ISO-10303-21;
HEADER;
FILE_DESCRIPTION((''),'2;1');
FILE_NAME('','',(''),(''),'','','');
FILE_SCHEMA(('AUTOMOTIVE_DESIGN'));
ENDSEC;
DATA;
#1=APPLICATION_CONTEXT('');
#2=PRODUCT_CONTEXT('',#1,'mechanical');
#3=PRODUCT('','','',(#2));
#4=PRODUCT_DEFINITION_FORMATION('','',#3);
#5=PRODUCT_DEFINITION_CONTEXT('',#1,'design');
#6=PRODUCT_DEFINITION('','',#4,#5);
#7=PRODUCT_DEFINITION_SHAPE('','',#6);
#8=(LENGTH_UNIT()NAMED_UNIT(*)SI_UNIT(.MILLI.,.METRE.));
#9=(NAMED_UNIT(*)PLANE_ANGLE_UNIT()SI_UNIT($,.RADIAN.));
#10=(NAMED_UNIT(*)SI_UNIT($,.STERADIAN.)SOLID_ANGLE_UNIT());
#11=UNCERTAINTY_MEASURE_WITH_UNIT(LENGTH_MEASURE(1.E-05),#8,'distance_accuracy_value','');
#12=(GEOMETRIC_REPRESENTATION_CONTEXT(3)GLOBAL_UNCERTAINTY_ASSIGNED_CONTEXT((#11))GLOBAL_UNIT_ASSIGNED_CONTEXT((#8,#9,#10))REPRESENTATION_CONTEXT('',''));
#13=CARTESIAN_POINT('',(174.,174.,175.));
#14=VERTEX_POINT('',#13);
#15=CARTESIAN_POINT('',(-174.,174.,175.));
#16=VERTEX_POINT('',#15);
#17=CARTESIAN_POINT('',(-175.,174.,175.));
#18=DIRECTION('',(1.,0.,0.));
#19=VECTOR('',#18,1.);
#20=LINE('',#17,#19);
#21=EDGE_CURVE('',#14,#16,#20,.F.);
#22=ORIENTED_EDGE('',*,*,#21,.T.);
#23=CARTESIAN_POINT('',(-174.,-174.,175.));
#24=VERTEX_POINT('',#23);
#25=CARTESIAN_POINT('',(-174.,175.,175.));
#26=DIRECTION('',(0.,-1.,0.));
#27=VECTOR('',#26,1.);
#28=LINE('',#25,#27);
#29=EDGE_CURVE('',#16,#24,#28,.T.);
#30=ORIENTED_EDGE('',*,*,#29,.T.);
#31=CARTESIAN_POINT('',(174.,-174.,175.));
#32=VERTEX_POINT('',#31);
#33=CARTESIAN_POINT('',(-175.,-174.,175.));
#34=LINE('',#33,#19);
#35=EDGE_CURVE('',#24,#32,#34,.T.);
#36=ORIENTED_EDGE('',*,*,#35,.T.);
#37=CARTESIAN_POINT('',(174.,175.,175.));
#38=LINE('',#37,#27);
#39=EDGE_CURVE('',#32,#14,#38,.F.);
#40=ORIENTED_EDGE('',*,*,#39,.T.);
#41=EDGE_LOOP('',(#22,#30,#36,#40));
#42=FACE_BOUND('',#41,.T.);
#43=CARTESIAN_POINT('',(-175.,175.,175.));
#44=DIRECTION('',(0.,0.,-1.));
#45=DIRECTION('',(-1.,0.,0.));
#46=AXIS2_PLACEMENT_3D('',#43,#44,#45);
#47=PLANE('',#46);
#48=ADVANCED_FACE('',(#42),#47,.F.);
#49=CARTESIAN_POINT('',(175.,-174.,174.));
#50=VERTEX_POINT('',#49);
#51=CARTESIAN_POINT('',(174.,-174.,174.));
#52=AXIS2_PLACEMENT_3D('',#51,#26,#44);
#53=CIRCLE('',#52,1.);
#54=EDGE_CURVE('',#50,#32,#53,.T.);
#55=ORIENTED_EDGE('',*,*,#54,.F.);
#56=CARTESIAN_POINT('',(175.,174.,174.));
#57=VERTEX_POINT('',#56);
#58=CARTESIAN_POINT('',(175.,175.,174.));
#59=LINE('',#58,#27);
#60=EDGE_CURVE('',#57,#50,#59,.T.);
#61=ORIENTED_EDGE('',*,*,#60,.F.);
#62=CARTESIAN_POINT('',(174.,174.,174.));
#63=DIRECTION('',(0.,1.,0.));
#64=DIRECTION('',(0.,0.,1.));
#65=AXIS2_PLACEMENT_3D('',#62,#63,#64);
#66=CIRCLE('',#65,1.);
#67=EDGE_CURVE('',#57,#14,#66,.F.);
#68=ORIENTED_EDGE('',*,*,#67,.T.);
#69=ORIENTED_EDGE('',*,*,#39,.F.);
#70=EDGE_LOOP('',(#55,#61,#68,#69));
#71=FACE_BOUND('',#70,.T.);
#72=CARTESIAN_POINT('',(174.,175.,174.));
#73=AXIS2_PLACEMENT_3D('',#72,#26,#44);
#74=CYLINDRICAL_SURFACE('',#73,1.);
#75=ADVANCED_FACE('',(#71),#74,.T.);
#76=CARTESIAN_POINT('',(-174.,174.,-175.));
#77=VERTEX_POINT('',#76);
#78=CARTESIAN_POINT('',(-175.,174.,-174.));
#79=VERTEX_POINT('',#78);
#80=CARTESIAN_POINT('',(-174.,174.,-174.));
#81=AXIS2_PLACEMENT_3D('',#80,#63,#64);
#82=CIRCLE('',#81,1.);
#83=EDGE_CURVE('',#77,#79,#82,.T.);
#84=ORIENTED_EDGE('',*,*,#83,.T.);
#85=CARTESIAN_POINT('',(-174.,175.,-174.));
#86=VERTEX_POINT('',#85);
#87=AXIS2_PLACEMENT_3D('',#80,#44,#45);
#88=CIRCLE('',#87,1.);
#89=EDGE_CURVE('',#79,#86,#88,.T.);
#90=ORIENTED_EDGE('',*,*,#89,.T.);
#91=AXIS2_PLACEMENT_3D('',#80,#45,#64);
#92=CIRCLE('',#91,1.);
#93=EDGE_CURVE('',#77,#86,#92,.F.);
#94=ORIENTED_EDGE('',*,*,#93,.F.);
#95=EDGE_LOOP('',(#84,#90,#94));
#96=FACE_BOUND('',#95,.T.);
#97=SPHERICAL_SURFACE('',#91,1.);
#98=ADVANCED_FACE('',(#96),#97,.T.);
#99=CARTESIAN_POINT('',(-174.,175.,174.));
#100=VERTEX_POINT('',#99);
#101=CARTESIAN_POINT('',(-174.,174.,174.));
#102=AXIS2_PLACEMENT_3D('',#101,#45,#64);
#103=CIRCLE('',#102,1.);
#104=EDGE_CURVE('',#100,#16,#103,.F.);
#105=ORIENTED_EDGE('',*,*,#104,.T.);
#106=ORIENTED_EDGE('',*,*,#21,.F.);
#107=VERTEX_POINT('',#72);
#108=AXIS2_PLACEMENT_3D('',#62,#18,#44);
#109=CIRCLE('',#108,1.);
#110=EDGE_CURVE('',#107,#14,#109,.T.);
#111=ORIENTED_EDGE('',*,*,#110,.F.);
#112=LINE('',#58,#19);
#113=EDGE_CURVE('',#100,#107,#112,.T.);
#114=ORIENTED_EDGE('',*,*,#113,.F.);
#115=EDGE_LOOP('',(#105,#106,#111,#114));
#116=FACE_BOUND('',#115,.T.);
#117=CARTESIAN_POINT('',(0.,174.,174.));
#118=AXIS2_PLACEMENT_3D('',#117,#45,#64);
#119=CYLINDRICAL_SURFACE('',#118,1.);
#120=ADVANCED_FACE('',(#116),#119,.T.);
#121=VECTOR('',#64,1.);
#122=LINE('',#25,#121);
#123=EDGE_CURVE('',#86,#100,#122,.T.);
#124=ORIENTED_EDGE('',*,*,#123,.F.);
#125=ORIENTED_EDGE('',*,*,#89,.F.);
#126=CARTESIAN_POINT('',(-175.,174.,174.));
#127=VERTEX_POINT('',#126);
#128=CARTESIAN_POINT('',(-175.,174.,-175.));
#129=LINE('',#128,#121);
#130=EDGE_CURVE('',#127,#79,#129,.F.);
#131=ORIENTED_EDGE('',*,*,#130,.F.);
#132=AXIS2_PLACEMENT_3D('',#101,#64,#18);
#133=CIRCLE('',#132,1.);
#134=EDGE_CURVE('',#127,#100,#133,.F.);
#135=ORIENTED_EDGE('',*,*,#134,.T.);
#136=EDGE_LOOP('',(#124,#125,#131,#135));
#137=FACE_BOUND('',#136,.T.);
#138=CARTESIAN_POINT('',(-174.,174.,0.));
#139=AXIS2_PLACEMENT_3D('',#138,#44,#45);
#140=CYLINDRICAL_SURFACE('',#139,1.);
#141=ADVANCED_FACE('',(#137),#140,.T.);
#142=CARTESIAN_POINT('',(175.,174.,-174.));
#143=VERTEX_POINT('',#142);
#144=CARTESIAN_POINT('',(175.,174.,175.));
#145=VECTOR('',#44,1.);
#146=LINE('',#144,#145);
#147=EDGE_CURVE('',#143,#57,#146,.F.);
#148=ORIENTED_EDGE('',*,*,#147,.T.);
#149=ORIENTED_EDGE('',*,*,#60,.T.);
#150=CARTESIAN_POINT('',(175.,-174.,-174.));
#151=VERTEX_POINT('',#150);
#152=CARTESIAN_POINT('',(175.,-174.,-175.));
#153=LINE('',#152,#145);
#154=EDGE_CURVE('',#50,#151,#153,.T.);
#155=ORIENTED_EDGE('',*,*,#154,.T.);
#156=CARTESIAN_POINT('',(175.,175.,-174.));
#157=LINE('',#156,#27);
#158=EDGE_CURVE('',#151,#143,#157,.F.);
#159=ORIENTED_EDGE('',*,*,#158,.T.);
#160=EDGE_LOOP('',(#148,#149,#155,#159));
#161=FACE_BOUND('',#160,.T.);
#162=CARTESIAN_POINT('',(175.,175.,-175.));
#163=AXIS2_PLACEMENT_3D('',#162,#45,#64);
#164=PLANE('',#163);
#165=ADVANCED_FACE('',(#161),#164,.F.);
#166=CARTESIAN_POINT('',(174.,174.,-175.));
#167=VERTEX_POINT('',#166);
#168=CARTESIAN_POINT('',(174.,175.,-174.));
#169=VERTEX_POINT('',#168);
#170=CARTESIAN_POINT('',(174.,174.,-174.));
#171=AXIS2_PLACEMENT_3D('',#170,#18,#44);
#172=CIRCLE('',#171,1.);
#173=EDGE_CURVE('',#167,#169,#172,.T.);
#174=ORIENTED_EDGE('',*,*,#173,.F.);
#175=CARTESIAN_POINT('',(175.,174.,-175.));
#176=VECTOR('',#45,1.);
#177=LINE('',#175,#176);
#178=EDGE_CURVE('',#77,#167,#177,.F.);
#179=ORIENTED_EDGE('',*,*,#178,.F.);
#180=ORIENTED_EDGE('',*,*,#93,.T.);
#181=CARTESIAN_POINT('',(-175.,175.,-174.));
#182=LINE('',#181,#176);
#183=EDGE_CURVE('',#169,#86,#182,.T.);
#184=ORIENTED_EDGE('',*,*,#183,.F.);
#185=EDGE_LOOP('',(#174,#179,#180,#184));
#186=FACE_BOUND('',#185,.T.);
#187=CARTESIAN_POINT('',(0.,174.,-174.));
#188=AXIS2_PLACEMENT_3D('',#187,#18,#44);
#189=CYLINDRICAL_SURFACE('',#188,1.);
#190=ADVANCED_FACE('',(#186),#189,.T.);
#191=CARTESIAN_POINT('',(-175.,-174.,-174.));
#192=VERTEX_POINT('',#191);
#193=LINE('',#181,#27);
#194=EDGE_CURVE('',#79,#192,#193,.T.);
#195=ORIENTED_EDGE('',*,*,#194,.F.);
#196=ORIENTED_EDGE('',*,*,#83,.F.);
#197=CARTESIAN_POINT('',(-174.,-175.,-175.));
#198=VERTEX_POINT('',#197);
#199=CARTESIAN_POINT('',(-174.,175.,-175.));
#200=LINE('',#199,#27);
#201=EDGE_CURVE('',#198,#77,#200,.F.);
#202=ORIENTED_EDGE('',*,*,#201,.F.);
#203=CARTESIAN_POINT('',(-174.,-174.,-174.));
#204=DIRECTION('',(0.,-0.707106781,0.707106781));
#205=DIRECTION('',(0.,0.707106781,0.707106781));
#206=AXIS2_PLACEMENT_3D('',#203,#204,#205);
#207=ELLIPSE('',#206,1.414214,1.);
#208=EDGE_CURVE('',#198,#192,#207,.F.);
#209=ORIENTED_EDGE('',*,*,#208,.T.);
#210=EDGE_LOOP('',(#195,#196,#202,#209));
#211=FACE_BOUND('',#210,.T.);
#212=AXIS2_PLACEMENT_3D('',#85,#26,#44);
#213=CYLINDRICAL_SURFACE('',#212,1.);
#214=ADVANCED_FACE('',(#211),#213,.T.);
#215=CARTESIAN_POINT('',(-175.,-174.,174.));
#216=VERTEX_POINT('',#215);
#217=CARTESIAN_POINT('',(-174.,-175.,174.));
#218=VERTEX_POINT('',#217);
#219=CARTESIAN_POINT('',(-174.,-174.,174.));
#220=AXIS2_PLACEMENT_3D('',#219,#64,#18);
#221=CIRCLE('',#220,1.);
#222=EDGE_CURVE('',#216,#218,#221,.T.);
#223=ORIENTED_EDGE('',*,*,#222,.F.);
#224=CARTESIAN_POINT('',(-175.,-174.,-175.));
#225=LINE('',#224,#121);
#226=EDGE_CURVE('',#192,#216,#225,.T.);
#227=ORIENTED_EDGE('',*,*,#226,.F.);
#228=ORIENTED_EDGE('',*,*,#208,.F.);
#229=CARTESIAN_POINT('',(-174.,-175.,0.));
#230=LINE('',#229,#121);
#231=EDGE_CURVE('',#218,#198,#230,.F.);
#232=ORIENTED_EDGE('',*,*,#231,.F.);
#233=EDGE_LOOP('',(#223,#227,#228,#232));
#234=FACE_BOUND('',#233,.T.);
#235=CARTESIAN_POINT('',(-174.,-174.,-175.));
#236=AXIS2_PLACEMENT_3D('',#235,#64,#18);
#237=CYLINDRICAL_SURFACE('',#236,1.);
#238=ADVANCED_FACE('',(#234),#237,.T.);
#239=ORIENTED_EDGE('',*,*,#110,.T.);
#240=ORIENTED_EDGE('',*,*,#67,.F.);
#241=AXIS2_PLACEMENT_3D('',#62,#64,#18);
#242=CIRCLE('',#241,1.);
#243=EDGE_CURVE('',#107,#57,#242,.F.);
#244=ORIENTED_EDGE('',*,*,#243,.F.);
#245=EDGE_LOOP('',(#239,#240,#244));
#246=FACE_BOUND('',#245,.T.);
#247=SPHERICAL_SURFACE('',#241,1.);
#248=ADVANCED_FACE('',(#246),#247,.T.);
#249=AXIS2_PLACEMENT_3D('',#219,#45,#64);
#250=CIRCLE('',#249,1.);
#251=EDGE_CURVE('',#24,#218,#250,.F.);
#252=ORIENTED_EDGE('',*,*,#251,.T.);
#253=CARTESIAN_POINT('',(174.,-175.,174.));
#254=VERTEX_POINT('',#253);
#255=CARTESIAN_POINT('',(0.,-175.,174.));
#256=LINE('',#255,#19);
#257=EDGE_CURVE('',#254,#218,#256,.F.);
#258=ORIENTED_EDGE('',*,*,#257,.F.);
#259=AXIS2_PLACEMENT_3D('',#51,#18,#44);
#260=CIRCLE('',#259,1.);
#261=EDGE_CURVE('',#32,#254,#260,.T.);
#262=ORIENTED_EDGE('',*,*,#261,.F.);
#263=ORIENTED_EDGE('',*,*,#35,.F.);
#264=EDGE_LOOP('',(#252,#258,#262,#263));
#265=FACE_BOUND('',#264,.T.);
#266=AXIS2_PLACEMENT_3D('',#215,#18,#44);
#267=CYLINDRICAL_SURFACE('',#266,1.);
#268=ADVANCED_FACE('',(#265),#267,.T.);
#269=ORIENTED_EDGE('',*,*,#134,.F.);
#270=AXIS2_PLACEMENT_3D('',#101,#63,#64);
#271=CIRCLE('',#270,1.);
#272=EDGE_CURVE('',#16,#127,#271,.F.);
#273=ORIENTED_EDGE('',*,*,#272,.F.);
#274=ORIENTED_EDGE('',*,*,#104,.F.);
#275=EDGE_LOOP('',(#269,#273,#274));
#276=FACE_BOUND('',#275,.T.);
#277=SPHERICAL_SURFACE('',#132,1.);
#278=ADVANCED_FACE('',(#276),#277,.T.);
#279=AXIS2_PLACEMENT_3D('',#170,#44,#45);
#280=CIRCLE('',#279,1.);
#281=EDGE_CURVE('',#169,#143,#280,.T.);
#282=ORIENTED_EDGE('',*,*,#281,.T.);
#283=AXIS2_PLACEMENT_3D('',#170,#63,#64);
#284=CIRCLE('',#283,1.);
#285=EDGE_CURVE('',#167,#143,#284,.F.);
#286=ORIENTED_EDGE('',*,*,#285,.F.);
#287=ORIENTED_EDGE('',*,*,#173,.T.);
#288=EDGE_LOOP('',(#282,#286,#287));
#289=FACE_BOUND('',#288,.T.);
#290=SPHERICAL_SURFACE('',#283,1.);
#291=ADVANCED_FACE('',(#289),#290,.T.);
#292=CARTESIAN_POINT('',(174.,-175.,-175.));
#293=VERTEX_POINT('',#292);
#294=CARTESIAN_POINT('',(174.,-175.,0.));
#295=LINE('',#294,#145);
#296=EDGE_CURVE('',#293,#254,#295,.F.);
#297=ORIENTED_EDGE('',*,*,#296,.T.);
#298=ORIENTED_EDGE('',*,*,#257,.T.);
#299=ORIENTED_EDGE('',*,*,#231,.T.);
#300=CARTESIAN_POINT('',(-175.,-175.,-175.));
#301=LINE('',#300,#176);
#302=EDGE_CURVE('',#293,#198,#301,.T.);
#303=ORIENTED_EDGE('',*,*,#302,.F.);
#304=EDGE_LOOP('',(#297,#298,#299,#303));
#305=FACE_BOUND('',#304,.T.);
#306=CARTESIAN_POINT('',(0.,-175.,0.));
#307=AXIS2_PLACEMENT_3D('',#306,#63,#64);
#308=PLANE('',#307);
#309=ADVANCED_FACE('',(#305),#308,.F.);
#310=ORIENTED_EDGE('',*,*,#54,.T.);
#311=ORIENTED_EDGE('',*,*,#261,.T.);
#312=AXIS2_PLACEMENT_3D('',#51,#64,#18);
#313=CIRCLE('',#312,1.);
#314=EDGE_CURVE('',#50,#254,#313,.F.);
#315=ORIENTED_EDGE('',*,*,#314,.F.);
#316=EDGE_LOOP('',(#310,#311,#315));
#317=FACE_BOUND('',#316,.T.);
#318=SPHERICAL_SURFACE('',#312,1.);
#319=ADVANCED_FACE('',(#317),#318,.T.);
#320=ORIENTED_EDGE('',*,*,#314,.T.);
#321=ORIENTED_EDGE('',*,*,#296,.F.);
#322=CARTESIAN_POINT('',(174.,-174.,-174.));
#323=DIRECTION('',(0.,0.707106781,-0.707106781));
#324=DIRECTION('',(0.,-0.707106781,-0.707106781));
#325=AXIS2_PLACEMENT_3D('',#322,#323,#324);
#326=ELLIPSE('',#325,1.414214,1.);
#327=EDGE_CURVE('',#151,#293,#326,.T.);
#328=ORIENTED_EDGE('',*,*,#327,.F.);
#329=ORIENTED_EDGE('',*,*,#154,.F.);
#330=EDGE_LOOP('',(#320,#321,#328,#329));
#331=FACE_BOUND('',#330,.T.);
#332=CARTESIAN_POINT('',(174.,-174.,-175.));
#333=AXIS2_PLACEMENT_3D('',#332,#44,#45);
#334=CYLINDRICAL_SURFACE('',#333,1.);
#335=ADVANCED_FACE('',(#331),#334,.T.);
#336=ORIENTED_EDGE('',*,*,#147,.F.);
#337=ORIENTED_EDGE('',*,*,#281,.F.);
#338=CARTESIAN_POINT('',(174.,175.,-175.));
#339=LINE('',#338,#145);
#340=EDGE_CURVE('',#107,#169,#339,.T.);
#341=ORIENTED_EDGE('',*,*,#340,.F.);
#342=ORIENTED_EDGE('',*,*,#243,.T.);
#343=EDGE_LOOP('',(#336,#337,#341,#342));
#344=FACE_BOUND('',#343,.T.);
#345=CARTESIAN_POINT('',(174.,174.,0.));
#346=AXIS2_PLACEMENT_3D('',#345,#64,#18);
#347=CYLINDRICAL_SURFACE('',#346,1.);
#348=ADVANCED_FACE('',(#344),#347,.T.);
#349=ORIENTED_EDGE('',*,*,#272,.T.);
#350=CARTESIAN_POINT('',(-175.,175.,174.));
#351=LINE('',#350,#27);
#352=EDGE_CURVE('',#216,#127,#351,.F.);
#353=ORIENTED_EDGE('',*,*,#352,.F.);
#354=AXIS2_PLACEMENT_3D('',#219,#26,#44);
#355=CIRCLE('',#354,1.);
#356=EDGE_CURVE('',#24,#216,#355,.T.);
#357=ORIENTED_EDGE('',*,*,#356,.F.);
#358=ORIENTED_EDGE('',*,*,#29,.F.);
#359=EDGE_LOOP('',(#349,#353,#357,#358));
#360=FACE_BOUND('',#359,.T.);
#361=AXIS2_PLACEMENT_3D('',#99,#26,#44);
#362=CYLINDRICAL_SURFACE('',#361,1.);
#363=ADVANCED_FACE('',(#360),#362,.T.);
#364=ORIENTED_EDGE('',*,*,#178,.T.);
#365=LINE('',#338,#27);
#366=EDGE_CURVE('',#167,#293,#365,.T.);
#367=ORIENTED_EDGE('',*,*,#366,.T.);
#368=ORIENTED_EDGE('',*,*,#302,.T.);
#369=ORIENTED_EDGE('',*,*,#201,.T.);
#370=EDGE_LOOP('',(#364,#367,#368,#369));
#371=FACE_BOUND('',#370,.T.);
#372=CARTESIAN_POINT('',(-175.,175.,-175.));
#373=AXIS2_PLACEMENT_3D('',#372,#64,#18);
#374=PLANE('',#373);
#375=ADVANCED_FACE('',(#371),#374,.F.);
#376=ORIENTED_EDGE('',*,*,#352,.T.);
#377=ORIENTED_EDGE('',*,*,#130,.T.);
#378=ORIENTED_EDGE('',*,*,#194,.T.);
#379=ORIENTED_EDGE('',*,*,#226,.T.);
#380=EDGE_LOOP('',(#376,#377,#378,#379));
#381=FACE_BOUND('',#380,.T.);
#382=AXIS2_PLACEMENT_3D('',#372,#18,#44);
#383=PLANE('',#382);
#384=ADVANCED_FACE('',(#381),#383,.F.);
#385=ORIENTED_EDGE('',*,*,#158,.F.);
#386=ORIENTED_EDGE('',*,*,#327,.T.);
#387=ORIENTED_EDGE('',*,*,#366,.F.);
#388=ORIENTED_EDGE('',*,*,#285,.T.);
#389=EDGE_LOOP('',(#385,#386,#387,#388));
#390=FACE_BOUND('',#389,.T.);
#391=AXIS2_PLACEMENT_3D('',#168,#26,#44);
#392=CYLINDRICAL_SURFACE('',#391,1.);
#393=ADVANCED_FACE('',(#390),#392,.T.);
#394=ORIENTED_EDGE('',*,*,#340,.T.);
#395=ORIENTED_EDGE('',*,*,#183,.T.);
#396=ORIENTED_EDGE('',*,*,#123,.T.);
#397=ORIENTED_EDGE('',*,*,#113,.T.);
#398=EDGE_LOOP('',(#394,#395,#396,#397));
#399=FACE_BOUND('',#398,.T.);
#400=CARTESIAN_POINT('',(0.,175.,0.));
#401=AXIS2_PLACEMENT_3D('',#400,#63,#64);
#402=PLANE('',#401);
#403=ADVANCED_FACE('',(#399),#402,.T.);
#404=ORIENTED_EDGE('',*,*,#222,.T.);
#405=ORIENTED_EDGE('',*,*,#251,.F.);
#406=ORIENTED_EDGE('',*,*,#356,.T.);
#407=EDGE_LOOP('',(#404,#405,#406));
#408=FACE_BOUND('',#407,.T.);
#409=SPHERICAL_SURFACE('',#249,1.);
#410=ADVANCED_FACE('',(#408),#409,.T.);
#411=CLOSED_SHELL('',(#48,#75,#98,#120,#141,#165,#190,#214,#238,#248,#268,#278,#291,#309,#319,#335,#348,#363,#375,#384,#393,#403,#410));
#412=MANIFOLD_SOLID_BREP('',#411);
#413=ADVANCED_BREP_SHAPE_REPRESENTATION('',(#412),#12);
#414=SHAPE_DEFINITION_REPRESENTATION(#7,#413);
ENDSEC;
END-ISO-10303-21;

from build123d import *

# Parameters (mm, degrees)
SKETCH1_W           = 350
SKETCH1_H           = 350
BOSS_EXTRUDE1_DEPTH = 175
FILLET1_R           = 1


with BuildPart() as part:
    # Sketch1 → Boss-Extrude1 (new, symmetric)
    with BuildSketch(Plane(origin=(0, 0, 0), x_dir=(1, 0, 0), z_dir=(0, 1, 0))):
        Rectangle(SKETCH1_W, SKETCH1_H)
    extrude(amount=BOSS_EXTRUDE1_DEPTH, both=True)

    # Fillet1
    fillet1_edges = [part.edges().sort_by_distance(p)[0] for p in [
        (-175, 175, 0),
        (0, 175, 175),
        (175, 175, 0),
        (0, -175, 175),
        (-175, -175, 0),
        (175, -175, 0),
        (175, 0, 175),
        (-175, 0, 175),
        (-175, 0, -175),
        (175, 0, -175),
        (0, 175, -175),
    ]]
    fillet(fillet1_edges, radius=FILLET1_R)


solid = part.part
